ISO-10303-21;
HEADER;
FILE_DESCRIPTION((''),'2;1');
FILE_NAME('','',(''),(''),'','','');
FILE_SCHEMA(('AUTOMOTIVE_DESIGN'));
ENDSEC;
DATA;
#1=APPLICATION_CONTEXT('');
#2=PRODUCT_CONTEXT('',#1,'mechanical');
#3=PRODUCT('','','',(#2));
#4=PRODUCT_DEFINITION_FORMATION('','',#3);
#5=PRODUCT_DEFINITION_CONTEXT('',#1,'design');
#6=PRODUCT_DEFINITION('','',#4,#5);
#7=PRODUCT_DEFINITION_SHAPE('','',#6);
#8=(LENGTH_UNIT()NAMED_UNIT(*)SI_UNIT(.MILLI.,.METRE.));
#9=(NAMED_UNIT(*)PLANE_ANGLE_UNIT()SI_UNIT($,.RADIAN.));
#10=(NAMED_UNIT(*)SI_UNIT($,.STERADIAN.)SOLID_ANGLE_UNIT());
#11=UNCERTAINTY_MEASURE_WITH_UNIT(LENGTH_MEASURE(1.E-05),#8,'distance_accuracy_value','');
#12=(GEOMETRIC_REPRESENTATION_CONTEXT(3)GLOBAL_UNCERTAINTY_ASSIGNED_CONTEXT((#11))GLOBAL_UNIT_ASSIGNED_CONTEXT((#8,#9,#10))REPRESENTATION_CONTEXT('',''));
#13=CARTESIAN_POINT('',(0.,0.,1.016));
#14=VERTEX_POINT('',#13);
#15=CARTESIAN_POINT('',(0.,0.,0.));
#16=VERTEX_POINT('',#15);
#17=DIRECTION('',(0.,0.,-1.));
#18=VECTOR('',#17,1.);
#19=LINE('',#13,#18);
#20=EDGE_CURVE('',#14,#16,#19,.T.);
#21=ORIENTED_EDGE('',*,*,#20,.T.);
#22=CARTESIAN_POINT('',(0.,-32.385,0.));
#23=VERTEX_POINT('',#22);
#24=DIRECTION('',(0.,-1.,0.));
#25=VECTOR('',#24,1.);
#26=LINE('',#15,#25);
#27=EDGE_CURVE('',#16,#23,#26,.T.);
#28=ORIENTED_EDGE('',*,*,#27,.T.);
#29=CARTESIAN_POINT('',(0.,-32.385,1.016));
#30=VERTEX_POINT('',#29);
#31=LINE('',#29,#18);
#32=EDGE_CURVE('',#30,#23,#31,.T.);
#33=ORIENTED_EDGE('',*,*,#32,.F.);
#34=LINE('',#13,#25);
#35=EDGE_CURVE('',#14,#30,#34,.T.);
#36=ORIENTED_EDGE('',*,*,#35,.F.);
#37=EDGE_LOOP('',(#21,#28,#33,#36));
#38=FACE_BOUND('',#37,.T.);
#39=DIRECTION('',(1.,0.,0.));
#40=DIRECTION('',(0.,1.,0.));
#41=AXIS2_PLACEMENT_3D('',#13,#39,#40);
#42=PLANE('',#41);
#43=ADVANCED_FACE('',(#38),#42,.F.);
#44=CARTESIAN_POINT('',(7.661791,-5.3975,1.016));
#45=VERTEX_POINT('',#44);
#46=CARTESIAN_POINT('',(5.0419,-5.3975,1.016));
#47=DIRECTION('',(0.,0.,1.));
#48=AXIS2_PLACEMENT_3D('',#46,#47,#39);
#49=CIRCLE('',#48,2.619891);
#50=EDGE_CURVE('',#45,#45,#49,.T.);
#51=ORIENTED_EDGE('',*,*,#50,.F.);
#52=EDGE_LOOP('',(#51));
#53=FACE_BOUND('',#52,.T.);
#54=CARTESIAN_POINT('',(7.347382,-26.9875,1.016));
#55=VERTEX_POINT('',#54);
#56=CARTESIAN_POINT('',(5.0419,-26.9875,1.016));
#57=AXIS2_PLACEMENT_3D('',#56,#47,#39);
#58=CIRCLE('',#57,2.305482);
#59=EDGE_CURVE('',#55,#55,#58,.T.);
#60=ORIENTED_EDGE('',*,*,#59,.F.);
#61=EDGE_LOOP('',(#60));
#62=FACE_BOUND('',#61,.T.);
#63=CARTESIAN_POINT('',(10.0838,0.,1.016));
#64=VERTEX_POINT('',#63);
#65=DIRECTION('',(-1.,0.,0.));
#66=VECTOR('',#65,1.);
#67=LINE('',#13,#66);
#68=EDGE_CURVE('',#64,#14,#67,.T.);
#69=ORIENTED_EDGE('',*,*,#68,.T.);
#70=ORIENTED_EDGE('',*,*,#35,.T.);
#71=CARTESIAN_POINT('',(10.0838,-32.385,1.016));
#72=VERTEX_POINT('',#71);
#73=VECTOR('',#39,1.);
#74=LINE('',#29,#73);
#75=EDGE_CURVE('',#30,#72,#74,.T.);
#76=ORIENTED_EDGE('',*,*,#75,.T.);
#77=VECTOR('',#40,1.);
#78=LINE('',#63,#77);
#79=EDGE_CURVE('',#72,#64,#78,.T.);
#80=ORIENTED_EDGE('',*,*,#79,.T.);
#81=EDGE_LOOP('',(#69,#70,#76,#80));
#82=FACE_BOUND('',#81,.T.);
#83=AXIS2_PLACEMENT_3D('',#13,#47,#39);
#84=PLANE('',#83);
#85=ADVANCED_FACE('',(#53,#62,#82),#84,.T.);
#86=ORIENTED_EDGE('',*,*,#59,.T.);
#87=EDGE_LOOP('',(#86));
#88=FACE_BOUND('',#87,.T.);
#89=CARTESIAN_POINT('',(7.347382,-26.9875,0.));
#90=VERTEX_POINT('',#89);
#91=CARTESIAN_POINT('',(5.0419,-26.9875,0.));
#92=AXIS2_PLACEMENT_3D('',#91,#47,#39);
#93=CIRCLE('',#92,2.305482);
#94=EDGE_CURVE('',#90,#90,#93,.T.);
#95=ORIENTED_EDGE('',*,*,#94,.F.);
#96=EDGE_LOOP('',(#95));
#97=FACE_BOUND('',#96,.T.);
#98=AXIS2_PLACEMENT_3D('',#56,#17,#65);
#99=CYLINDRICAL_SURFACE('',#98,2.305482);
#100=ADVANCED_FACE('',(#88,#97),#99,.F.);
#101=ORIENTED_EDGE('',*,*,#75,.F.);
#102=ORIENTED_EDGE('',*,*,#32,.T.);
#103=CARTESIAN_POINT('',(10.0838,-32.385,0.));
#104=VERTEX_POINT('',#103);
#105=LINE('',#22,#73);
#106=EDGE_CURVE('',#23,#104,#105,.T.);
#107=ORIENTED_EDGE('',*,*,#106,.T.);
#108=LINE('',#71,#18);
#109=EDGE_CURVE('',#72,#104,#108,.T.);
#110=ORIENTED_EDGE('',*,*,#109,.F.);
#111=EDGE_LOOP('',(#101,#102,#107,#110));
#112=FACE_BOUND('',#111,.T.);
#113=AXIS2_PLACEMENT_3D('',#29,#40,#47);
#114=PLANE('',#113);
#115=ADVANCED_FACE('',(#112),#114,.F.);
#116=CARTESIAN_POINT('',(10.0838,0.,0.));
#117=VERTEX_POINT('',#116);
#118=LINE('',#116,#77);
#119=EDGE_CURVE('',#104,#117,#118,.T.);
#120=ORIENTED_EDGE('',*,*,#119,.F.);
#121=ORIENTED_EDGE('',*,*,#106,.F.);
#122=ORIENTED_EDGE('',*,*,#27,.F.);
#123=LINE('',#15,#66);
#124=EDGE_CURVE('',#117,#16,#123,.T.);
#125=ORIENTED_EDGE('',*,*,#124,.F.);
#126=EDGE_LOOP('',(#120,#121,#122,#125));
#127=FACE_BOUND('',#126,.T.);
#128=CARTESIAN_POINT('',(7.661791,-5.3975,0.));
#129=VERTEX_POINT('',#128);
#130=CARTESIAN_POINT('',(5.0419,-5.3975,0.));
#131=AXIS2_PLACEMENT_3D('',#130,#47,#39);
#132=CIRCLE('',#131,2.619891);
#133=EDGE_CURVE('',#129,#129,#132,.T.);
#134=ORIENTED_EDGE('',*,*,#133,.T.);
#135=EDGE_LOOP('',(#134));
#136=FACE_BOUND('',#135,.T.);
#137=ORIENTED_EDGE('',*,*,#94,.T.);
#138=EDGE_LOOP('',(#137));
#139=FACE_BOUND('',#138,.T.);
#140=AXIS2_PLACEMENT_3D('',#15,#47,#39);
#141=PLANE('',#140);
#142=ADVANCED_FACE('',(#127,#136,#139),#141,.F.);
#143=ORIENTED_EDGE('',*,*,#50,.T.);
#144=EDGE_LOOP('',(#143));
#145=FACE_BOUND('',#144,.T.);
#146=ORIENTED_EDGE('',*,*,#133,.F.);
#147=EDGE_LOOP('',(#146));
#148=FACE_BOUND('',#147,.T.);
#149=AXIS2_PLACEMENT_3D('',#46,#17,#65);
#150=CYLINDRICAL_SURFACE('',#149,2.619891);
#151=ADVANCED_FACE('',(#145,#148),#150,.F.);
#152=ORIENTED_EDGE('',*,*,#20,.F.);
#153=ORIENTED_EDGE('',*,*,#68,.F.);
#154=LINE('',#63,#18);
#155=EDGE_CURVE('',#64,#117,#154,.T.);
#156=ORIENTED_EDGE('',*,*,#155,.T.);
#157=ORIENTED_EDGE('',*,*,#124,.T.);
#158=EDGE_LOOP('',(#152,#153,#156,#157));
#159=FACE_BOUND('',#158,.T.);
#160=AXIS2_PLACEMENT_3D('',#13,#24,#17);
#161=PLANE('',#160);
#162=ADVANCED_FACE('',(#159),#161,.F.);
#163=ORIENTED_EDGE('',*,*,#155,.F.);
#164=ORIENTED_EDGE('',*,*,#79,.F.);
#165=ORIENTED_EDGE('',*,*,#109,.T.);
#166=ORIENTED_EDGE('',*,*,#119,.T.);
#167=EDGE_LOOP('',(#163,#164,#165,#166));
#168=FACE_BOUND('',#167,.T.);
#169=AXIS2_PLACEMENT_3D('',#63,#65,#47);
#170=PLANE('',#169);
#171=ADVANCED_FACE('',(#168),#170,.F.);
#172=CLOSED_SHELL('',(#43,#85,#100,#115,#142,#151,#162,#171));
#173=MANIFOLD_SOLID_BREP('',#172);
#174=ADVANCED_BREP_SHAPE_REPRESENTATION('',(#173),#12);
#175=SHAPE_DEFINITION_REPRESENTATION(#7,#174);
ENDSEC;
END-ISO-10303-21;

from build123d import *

# Parameters (mm, degrees)
SKETCH1_W           = 10.0838
SKETCH1_H           = 32.385
SKETCH1_R           = 2.619891049
SKETCH1_R_2         = 2.305481736
BOSS_EXTRUDE1_DEPTH = 1.016


with BuildPart() as part:
    # Sketch1 → Boss-Extrude1 (new body)
    with BuildSketch(Plane.XY):
        with Locations((5.0419, -16.1925)):
            Rectangle(SKETCH1_W, SKETCH1_H)
        with Locations((5.0419, -5.3975)):
            Circle(SKETCH1_R, mode=Mode.SUBTRACT)
        with Locations((5.0419, -26.9875)):
            Circle(SKETCH1_R_2, mode=Mode.SUBTRACT)
    extrude(amount=BOSS_EXTRUDE1_DEPTH)


solid = part.part
